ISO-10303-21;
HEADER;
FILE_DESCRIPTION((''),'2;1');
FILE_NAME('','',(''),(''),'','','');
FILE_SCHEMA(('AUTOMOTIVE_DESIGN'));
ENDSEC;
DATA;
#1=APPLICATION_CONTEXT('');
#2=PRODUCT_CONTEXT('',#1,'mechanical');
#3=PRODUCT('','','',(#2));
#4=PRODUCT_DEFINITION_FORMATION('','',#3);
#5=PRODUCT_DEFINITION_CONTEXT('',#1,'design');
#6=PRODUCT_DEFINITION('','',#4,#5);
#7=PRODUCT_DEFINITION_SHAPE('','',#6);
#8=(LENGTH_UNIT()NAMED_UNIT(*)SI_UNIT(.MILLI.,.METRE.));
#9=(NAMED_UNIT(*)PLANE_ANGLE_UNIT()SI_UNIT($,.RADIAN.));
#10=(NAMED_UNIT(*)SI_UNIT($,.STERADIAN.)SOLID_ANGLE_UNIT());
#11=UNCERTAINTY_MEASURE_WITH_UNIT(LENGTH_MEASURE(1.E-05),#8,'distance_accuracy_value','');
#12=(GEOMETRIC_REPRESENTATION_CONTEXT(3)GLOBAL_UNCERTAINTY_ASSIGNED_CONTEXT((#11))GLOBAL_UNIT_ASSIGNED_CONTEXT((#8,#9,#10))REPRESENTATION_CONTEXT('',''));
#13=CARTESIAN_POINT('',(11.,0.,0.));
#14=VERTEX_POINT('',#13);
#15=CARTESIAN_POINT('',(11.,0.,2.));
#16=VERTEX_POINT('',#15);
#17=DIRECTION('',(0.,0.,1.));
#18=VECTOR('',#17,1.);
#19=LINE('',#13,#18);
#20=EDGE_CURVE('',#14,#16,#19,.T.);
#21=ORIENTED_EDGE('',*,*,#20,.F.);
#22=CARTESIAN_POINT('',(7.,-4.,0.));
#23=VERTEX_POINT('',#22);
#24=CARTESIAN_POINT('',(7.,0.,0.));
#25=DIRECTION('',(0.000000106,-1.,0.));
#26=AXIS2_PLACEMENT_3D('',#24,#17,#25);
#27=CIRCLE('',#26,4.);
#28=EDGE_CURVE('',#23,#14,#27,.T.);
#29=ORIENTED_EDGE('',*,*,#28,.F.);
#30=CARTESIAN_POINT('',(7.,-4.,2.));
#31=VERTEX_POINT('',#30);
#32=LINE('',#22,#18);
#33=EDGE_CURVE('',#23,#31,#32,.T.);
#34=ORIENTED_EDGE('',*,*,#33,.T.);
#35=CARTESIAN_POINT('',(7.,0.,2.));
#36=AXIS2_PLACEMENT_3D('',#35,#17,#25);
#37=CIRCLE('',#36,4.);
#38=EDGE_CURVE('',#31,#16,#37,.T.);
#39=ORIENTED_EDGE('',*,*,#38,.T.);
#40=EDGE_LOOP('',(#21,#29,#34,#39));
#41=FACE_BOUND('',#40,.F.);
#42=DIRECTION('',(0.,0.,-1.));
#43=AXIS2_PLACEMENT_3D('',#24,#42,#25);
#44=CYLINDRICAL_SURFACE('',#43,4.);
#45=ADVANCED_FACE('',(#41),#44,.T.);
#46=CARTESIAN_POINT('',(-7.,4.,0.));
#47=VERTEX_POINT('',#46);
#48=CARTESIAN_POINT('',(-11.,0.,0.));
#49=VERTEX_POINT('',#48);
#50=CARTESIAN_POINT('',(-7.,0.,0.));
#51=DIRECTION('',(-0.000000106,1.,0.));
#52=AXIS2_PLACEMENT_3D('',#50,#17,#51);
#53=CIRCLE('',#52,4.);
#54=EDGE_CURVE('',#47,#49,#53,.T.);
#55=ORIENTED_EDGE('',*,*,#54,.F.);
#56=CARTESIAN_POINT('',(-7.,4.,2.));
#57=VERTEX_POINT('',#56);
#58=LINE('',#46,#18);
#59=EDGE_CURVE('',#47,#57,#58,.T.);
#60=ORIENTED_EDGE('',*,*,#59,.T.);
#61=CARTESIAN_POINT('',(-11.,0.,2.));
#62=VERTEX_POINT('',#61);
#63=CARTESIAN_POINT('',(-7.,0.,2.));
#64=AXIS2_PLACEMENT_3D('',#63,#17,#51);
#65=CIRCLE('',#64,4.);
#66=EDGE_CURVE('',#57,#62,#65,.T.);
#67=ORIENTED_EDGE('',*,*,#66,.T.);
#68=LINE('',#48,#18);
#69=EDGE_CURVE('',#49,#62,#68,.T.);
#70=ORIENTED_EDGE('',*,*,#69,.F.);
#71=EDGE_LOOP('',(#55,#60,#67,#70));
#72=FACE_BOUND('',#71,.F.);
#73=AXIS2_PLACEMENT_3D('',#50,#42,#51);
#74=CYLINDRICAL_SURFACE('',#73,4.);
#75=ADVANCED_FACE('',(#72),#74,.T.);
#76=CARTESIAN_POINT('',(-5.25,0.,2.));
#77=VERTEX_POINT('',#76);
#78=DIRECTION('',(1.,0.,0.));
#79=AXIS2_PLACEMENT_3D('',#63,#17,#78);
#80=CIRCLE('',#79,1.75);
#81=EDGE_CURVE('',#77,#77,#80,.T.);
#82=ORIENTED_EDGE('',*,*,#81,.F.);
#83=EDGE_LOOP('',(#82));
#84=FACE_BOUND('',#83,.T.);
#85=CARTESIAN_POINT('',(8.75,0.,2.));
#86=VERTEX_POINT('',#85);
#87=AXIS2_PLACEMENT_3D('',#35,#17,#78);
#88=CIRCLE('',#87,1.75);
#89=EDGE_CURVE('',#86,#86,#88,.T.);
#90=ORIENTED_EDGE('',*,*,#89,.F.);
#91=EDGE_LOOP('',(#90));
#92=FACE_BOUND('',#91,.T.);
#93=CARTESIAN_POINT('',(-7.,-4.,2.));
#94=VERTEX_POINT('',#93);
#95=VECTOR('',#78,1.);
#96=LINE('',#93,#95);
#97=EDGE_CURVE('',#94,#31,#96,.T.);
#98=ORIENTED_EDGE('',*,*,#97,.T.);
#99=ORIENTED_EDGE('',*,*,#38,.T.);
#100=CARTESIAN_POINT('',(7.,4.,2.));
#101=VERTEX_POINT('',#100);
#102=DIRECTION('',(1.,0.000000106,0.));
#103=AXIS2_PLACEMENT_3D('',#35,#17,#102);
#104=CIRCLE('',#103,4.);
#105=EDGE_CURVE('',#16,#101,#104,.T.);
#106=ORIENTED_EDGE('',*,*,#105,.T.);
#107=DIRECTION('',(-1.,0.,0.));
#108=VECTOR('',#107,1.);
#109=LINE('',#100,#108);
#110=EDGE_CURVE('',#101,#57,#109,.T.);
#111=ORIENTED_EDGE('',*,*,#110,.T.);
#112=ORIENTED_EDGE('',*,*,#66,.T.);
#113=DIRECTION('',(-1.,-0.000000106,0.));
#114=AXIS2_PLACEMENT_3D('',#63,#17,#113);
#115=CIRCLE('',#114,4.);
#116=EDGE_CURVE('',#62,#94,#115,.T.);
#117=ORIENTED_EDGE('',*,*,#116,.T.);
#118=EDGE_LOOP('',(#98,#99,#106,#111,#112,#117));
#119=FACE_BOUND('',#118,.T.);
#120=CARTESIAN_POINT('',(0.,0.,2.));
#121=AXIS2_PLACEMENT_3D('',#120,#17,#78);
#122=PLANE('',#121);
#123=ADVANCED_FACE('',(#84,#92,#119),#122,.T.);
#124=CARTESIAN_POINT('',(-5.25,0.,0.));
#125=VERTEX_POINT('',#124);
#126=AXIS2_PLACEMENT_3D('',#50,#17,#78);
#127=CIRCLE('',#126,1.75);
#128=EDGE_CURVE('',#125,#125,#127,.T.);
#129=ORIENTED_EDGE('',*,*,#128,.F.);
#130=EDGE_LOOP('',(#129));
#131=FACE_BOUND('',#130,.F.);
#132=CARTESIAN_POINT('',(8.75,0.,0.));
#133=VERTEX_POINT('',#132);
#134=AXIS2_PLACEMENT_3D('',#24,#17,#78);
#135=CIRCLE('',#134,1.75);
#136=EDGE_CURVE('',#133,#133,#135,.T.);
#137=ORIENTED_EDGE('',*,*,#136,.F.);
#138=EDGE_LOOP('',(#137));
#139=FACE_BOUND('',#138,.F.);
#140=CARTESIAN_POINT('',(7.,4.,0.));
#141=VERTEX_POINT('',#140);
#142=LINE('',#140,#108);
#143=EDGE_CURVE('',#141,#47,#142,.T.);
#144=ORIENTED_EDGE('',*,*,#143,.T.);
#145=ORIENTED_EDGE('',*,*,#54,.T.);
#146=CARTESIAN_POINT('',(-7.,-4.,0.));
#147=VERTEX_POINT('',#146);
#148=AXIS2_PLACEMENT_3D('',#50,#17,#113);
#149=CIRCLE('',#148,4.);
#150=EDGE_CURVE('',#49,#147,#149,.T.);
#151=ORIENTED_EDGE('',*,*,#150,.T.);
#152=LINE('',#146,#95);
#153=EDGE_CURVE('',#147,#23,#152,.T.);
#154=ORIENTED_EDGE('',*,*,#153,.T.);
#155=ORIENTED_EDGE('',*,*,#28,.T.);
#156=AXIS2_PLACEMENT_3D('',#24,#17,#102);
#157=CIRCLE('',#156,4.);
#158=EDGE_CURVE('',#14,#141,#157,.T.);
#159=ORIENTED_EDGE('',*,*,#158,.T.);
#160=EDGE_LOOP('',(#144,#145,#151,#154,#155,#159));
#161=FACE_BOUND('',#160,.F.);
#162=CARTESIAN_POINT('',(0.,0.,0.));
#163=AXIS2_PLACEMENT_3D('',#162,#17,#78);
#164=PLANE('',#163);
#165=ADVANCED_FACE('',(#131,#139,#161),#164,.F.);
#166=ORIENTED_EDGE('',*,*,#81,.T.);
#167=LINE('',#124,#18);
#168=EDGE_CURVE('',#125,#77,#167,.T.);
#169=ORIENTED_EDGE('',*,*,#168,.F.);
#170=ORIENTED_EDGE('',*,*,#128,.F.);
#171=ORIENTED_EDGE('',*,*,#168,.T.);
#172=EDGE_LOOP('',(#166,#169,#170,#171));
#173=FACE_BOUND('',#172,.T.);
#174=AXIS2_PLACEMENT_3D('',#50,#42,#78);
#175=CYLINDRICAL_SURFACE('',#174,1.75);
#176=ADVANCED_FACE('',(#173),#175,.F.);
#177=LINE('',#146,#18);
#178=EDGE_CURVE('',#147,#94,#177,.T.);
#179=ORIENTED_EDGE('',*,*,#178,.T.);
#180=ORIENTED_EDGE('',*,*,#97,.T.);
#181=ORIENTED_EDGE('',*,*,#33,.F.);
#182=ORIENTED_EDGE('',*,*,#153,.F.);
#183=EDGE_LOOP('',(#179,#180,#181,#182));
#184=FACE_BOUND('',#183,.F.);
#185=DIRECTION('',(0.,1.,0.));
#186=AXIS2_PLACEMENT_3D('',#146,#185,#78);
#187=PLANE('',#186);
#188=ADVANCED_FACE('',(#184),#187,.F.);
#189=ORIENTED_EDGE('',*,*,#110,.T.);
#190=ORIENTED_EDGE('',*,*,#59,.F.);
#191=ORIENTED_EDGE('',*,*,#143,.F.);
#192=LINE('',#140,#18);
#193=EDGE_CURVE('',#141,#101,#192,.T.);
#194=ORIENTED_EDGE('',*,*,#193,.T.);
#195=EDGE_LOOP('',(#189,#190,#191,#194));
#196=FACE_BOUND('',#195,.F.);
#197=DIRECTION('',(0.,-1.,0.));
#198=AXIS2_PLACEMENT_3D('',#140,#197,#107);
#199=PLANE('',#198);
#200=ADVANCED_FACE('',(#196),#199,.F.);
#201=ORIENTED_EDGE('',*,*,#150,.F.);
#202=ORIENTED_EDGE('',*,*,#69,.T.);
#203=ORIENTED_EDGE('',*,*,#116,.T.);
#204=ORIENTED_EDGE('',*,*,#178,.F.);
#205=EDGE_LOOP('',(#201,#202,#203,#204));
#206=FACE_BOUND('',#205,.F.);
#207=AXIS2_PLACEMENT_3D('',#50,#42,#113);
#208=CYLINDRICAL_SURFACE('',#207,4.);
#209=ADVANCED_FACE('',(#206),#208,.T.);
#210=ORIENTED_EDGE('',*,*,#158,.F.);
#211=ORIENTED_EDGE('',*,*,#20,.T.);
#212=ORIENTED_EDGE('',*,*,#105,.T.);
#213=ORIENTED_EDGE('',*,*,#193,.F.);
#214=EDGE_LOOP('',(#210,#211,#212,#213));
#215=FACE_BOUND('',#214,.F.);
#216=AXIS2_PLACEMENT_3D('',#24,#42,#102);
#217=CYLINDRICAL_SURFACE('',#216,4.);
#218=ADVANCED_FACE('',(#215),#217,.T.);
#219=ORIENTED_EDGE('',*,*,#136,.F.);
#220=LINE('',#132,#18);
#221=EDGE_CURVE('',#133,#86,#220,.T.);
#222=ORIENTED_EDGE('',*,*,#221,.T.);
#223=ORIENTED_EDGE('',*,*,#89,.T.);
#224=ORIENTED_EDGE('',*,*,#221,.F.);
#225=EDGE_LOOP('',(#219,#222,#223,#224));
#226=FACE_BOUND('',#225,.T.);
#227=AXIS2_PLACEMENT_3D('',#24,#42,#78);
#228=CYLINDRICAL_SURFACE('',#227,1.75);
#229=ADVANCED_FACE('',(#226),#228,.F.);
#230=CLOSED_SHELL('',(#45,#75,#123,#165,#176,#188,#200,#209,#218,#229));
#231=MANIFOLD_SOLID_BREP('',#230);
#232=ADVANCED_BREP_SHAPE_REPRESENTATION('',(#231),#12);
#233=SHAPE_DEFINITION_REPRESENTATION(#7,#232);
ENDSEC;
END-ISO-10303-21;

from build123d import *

# Parameters (mm, degrees)
F0_R     = 1.75
F1_DEPTH = 2


with BuildPart() as f1:
    # F0 (on Top) → F1 (new body)
    with BuildSketch(Plane.XY):
        with BuildLine():
            Line((7, 4), (-7, 4))
            ThreePointArc((-7, 4), (-9.828427, 2.828427), (-11, 0))
            ThreePointArc((-11, 0), (-9.828427, -2.828427), (-7, -4))
            Line((-7, -4), (7, -4))
            ThreePointArc((7, -4), (9.828427, -2.828427), (11, 0))
            ThreePointArc((11, 0), (9.828427, 2.828427), (7, 4))
        make_face()
        with Locations((-7, 0)):
            Circle(F0_R, mode=Mode.SUBTRACT)
        with Locations((7, 0)):
            Circle(F0_R, mode=Mode.SUBTRACT)
    extrude(amount=F1_DEPTH)


solid = f1.part
